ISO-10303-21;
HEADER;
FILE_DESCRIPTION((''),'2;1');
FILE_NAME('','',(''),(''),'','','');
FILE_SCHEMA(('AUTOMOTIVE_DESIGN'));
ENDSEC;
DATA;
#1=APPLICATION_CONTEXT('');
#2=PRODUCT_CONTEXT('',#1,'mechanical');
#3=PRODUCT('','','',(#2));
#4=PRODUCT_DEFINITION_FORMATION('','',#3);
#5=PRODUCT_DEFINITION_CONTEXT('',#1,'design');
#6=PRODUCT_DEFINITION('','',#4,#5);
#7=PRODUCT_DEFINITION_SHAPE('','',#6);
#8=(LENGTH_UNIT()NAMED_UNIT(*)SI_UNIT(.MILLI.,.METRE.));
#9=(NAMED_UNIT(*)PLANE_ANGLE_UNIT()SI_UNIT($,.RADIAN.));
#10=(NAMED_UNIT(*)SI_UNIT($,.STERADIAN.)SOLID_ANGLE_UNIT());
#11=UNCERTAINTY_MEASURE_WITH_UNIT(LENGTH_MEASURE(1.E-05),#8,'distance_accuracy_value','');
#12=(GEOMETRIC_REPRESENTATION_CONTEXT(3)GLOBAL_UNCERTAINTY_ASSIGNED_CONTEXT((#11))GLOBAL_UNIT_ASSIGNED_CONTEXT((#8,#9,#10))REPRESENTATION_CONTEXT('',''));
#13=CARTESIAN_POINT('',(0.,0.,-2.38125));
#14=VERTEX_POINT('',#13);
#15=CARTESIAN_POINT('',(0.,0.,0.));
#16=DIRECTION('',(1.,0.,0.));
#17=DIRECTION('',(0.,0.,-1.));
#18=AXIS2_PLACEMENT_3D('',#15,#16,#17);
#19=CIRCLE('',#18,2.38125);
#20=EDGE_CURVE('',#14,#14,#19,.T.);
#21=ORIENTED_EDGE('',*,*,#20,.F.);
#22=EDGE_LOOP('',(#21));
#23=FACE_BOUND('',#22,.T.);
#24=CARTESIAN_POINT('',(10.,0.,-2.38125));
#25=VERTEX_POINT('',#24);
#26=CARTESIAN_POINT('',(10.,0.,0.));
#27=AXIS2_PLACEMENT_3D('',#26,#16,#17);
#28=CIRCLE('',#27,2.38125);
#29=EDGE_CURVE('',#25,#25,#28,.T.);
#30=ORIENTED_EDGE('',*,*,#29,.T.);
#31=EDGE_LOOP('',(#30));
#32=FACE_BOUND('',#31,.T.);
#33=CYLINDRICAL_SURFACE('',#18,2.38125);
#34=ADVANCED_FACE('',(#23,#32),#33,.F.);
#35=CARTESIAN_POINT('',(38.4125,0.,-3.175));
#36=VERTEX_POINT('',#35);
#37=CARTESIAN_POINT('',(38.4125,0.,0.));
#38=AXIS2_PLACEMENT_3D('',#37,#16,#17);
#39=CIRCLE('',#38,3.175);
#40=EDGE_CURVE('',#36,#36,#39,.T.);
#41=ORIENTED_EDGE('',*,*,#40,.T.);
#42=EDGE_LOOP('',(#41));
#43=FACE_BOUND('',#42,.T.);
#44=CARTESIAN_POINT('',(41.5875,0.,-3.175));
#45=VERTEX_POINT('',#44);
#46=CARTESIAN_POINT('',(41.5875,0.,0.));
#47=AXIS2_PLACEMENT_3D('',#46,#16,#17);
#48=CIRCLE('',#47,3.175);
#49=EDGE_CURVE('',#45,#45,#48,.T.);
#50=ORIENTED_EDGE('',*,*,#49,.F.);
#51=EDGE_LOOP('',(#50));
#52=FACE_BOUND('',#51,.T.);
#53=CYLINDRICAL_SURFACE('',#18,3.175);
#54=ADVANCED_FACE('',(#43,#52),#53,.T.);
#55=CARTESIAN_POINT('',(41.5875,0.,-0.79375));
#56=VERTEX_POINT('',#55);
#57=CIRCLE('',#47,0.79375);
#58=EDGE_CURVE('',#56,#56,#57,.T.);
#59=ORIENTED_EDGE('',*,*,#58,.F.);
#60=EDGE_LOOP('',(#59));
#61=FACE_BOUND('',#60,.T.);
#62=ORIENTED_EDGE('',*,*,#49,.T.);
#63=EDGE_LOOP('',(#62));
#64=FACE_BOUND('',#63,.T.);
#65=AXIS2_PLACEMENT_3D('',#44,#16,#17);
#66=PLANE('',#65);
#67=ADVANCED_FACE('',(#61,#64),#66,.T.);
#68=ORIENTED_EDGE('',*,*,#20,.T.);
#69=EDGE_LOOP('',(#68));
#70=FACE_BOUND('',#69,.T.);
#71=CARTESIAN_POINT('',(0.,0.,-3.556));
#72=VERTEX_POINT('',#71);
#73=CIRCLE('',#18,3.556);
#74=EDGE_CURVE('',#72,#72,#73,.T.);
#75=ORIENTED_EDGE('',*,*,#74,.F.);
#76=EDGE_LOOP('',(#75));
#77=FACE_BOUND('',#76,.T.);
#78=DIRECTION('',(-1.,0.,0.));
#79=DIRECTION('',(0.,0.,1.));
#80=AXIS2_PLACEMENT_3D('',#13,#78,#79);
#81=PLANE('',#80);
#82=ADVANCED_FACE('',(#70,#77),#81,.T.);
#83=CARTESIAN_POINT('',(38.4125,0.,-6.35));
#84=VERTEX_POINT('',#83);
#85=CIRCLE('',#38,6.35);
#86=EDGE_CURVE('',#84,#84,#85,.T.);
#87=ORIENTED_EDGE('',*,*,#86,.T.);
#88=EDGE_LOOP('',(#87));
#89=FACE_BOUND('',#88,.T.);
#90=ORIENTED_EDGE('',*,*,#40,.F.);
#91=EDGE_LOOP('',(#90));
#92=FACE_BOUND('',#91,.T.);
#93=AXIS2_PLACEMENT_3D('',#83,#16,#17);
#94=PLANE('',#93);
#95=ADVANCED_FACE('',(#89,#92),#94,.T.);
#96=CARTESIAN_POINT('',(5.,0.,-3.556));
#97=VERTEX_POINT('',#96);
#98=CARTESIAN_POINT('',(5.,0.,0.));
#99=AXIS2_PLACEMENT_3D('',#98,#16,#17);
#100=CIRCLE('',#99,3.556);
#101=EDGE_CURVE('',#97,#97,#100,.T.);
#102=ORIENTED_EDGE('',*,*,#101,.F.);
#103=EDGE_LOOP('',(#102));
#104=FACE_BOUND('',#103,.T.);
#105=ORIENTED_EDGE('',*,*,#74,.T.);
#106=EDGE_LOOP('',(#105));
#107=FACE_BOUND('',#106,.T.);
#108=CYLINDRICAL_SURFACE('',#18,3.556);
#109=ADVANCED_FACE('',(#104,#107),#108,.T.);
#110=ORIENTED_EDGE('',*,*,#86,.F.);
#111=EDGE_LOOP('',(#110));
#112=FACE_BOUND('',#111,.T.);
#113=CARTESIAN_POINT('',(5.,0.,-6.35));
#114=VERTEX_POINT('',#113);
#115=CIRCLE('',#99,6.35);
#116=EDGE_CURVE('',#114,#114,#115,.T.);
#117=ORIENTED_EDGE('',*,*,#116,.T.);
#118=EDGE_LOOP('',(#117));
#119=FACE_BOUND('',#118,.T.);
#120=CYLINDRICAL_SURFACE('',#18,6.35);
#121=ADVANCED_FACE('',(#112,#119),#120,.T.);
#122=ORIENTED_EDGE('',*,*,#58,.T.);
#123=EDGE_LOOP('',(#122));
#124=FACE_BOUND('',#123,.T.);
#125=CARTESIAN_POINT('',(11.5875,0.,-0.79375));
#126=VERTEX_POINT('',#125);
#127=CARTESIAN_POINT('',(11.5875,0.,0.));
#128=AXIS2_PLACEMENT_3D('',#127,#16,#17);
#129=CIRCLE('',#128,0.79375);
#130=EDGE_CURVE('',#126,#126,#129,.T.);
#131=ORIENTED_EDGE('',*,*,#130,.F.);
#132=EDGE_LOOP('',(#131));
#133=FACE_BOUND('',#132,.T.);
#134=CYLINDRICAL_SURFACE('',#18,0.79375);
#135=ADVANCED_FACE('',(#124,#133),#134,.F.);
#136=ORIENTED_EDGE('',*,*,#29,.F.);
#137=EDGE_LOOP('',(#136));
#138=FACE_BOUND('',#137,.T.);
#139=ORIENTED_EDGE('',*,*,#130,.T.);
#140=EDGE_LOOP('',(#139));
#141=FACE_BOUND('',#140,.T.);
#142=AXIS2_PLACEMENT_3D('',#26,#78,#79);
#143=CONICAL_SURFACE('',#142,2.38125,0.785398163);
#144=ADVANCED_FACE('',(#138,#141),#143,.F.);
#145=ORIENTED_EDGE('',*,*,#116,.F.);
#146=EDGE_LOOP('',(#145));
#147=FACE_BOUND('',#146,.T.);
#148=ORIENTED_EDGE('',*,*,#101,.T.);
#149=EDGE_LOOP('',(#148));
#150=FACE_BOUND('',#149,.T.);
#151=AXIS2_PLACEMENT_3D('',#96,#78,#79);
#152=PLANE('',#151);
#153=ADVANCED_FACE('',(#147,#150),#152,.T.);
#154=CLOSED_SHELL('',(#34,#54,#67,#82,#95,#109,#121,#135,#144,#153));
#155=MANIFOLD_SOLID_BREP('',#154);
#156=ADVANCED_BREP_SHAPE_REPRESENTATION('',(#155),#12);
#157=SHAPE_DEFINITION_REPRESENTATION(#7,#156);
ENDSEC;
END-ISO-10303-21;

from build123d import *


with BuildPart() as part:
    # Sketch2 → Revolve1 (revolve)
    with BuildSketch(Plane(origin=(0, 0, 0), x_dir=(1, 0, 0), z_dir=(0, 1, 0))):
        Polygon((0, 2.38125), (0, 3.556), (5, 3.556), (5, 6.35), (38.4125, 6.35), (38.4125, 3.175), (41.5875, 3.175), (41.5875, 0.79375), (11.5875, 0.79375), (10, 2.38125), align=None)
    revolve(axis=Axis((0, 0, 0), (-1, 0, 0)))


solid = part.part
